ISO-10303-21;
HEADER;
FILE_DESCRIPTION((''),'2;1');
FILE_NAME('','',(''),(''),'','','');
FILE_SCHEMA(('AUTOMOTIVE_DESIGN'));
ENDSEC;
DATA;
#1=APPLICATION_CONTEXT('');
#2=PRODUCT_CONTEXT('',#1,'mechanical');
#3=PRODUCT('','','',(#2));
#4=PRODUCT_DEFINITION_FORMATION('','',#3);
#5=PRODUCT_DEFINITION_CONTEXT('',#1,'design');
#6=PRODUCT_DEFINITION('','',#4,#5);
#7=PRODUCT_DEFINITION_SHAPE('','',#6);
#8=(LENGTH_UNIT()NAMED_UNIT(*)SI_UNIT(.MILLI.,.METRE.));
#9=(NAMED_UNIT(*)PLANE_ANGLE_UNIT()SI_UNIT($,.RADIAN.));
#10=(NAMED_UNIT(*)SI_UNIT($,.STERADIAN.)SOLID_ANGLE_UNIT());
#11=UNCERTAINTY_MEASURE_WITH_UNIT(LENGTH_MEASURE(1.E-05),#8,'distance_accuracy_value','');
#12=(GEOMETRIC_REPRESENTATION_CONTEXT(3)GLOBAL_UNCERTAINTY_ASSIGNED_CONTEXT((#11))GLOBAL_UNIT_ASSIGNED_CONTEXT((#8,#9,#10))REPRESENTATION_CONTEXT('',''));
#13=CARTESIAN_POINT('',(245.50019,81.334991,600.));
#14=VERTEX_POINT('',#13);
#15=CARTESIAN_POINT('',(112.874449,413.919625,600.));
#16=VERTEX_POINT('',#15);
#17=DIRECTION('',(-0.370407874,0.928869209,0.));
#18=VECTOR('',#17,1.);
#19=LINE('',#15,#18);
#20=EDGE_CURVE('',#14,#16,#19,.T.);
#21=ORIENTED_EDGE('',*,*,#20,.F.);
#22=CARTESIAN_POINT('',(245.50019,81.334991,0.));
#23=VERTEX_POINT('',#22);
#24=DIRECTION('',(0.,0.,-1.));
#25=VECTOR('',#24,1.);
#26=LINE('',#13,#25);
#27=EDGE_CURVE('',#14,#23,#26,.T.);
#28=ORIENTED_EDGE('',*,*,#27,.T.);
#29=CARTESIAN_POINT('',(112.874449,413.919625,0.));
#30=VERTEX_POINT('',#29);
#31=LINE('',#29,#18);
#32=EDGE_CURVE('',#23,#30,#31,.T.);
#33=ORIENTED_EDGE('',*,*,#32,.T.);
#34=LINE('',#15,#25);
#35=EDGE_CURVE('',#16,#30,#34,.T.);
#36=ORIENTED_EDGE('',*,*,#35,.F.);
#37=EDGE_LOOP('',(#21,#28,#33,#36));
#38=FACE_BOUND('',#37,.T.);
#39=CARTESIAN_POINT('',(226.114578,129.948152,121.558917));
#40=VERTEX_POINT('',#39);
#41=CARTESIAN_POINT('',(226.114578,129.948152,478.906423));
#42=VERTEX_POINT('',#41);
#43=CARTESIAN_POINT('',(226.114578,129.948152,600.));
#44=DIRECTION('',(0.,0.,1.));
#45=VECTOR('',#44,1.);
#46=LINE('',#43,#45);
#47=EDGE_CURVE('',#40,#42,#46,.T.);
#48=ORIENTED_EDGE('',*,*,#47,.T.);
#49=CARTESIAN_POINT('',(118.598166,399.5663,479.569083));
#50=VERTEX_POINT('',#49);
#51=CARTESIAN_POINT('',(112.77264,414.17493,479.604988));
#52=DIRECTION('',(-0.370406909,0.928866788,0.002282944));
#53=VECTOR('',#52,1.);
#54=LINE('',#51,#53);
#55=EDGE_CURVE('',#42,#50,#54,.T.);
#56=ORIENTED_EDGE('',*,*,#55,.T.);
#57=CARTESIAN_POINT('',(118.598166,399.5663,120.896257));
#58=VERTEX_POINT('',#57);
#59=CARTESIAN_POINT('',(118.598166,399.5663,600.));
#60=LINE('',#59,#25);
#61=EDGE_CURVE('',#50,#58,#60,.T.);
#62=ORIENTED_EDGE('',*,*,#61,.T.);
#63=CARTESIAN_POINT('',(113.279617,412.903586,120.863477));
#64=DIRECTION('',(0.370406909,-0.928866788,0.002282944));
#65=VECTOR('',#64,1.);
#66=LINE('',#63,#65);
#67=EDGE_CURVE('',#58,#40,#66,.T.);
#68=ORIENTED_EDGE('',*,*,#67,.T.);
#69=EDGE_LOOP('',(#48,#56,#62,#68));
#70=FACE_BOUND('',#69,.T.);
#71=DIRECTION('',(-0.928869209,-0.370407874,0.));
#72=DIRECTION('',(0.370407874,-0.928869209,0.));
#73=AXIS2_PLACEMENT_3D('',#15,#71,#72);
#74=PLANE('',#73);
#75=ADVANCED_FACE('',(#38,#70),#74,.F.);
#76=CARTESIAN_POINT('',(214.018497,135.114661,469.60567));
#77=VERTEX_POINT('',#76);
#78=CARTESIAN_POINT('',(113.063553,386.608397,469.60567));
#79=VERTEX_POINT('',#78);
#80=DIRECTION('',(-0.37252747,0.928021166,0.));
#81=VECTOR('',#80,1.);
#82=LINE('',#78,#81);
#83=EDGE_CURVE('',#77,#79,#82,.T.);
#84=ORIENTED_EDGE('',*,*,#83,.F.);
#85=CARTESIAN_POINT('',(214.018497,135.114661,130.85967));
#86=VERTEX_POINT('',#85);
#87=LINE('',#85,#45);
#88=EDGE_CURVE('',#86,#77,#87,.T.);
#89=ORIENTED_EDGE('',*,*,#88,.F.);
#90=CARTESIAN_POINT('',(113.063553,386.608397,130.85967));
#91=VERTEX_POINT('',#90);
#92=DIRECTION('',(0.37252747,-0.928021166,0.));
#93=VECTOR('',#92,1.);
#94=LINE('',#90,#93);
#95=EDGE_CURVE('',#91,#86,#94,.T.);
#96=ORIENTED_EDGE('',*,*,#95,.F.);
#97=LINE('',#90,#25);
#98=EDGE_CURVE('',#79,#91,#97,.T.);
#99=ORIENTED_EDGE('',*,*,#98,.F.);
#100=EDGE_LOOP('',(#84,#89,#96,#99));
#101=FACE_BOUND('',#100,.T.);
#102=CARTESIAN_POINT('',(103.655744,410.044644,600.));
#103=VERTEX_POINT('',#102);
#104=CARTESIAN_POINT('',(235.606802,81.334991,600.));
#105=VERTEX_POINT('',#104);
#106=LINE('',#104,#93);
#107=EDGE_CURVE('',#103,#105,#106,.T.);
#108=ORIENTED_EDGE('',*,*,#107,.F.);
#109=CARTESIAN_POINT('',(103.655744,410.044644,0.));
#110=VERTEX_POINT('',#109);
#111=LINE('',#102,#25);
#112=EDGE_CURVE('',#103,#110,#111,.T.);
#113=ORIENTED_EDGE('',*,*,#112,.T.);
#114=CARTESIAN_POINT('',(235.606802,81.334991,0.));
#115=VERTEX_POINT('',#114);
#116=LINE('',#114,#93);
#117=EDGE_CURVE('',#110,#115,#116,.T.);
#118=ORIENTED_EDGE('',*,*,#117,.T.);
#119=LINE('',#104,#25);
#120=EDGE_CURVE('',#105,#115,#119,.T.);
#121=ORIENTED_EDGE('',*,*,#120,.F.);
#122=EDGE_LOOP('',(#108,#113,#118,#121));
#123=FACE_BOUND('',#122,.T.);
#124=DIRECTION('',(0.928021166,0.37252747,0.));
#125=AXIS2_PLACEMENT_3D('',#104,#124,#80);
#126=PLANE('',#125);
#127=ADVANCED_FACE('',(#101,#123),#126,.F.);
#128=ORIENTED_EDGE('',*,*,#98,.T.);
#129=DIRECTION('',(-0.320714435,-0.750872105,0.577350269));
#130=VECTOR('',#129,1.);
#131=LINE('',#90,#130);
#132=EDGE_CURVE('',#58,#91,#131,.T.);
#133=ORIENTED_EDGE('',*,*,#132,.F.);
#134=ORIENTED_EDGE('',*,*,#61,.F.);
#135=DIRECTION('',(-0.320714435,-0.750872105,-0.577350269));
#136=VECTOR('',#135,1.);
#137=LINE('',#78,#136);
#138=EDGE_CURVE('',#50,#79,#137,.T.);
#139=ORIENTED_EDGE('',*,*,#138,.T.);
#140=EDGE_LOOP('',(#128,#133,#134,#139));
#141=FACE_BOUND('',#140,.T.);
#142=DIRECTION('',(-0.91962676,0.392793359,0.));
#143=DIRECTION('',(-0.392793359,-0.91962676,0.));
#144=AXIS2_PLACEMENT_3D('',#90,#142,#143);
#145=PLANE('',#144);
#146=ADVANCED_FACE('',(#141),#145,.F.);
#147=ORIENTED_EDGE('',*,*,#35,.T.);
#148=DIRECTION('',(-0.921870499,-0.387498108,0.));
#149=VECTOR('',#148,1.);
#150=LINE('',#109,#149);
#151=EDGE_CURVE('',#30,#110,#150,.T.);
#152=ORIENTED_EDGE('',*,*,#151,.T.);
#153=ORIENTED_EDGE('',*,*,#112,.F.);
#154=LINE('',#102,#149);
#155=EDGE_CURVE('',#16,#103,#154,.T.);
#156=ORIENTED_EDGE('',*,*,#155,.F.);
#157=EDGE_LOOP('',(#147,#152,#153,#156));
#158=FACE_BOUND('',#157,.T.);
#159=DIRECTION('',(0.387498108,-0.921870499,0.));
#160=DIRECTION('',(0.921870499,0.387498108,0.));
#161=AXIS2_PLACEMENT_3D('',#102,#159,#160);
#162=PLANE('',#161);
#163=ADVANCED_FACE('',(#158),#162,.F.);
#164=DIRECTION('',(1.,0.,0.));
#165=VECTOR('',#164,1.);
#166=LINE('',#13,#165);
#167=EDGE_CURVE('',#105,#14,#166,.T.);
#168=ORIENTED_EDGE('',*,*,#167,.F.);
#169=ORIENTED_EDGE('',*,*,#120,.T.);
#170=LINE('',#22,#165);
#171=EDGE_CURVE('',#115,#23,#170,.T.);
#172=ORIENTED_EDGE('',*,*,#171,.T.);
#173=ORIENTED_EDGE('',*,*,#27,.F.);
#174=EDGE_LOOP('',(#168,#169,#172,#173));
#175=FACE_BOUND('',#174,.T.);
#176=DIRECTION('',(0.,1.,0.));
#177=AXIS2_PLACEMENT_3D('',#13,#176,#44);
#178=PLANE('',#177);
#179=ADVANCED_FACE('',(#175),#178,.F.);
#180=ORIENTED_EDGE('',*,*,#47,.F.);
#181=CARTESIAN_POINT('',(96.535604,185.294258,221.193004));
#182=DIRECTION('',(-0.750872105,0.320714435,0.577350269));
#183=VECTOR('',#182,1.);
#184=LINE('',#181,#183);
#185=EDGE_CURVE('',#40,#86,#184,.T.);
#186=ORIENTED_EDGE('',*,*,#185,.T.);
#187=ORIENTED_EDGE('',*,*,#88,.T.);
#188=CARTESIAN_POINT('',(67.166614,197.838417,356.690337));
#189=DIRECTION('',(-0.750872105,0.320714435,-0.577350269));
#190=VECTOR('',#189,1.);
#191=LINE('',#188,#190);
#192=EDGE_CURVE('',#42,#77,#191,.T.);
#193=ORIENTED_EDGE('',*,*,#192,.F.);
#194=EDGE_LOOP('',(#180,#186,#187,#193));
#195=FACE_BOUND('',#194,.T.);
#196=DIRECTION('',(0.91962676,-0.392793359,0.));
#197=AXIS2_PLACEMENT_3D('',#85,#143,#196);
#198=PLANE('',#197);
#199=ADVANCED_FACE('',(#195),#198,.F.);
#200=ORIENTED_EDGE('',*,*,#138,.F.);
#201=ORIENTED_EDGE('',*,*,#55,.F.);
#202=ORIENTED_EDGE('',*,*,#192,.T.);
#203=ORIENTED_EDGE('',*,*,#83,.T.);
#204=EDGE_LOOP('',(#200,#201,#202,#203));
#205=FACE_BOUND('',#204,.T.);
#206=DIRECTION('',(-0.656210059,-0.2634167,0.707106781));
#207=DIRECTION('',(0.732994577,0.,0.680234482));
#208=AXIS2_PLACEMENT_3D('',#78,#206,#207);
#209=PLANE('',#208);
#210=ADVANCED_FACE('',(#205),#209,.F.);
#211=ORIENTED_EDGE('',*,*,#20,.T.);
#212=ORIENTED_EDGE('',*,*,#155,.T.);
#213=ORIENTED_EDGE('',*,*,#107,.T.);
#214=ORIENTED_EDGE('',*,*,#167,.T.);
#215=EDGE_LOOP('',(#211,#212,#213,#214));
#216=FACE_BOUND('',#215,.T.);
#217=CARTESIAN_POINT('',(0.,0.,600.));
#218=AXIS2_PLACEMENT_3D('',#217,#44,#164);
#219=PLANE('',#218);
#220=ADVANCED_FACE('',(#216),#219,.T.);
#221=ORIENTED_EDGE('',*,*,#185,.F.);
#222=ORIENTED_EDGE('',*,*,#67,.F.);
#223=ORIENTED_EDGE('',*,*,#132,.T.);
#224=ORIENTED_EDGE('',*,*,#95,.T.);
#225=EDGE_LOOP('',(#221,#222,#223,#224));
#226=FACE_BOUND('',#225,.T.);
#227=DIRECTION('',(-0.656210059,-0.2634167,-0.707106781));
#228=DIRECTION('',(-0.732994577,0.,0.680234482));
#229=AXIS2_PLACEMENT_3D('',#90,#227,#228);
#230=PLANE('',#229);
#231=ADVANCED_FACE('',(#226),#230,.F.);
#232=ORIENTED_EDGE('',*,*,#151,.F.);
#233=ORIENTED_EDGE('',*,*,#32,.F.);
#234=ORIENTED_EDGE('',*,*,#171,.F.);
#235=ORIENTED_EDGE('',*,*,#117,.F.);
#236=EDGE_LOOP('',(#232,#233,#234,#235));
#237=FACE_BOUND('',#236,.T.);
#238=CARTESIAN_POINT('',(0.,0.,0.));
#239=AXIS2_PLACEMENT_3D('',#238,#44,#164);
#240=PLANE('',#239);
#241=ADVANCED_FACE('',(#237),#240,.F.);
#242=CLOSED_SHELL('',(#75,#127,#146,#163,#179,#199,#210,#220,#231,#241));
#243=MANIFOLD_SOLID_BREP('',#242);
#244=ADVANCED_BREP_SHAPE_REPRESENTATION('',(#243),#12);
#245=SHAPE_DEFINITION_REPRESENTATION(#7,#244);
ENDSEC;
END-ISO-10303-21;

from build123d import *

# Parameters (mm, degrees)
BOSS_EXTRU_1_DEPTH      = 600
ESQUISSE2_W             = 338.746
ESQUISSE2_H             = 271
ENL_V_MAT_EXTRU_1_DEPTH = 10
ENL_V_MAT_EXTRU_1_TAPER = -45


with BuildPart() as part:
    # Esquisse1 → Boss.-Extru.1 (new body)
    with BuildSketch(Plane.XY):
        Polygon((235.606802378, 81.334991463), (103.65574387, 410.044643603), (112.874448857, 413.919624682), (245.500189591, 81.334991463), align=None)
    extrude(amount=BOSS_EXTRU_1_DEPTH)

    # Esquisse2 → Enlèv. mat.-Extru.1 (cut)
    with BuildSketch(Plane(origin=(231.028658646, 92.739826335, 0), x_dir=(0, 0, 1), z_dir=(-0.928021166, -0.37252747, 0))):
        with Locations((300.232670333, 181.16149611)):
            Rectangle(ESQUISSE2_W, ESQUISSE2_H)
    extrude(amount=-ENL_V_MAT_EXTRU_1_DEPTH, taper=ENL_V_MAT_EXTRU_1_TAPER, mode=Mode.SUBTRACT)


solid = part.part
